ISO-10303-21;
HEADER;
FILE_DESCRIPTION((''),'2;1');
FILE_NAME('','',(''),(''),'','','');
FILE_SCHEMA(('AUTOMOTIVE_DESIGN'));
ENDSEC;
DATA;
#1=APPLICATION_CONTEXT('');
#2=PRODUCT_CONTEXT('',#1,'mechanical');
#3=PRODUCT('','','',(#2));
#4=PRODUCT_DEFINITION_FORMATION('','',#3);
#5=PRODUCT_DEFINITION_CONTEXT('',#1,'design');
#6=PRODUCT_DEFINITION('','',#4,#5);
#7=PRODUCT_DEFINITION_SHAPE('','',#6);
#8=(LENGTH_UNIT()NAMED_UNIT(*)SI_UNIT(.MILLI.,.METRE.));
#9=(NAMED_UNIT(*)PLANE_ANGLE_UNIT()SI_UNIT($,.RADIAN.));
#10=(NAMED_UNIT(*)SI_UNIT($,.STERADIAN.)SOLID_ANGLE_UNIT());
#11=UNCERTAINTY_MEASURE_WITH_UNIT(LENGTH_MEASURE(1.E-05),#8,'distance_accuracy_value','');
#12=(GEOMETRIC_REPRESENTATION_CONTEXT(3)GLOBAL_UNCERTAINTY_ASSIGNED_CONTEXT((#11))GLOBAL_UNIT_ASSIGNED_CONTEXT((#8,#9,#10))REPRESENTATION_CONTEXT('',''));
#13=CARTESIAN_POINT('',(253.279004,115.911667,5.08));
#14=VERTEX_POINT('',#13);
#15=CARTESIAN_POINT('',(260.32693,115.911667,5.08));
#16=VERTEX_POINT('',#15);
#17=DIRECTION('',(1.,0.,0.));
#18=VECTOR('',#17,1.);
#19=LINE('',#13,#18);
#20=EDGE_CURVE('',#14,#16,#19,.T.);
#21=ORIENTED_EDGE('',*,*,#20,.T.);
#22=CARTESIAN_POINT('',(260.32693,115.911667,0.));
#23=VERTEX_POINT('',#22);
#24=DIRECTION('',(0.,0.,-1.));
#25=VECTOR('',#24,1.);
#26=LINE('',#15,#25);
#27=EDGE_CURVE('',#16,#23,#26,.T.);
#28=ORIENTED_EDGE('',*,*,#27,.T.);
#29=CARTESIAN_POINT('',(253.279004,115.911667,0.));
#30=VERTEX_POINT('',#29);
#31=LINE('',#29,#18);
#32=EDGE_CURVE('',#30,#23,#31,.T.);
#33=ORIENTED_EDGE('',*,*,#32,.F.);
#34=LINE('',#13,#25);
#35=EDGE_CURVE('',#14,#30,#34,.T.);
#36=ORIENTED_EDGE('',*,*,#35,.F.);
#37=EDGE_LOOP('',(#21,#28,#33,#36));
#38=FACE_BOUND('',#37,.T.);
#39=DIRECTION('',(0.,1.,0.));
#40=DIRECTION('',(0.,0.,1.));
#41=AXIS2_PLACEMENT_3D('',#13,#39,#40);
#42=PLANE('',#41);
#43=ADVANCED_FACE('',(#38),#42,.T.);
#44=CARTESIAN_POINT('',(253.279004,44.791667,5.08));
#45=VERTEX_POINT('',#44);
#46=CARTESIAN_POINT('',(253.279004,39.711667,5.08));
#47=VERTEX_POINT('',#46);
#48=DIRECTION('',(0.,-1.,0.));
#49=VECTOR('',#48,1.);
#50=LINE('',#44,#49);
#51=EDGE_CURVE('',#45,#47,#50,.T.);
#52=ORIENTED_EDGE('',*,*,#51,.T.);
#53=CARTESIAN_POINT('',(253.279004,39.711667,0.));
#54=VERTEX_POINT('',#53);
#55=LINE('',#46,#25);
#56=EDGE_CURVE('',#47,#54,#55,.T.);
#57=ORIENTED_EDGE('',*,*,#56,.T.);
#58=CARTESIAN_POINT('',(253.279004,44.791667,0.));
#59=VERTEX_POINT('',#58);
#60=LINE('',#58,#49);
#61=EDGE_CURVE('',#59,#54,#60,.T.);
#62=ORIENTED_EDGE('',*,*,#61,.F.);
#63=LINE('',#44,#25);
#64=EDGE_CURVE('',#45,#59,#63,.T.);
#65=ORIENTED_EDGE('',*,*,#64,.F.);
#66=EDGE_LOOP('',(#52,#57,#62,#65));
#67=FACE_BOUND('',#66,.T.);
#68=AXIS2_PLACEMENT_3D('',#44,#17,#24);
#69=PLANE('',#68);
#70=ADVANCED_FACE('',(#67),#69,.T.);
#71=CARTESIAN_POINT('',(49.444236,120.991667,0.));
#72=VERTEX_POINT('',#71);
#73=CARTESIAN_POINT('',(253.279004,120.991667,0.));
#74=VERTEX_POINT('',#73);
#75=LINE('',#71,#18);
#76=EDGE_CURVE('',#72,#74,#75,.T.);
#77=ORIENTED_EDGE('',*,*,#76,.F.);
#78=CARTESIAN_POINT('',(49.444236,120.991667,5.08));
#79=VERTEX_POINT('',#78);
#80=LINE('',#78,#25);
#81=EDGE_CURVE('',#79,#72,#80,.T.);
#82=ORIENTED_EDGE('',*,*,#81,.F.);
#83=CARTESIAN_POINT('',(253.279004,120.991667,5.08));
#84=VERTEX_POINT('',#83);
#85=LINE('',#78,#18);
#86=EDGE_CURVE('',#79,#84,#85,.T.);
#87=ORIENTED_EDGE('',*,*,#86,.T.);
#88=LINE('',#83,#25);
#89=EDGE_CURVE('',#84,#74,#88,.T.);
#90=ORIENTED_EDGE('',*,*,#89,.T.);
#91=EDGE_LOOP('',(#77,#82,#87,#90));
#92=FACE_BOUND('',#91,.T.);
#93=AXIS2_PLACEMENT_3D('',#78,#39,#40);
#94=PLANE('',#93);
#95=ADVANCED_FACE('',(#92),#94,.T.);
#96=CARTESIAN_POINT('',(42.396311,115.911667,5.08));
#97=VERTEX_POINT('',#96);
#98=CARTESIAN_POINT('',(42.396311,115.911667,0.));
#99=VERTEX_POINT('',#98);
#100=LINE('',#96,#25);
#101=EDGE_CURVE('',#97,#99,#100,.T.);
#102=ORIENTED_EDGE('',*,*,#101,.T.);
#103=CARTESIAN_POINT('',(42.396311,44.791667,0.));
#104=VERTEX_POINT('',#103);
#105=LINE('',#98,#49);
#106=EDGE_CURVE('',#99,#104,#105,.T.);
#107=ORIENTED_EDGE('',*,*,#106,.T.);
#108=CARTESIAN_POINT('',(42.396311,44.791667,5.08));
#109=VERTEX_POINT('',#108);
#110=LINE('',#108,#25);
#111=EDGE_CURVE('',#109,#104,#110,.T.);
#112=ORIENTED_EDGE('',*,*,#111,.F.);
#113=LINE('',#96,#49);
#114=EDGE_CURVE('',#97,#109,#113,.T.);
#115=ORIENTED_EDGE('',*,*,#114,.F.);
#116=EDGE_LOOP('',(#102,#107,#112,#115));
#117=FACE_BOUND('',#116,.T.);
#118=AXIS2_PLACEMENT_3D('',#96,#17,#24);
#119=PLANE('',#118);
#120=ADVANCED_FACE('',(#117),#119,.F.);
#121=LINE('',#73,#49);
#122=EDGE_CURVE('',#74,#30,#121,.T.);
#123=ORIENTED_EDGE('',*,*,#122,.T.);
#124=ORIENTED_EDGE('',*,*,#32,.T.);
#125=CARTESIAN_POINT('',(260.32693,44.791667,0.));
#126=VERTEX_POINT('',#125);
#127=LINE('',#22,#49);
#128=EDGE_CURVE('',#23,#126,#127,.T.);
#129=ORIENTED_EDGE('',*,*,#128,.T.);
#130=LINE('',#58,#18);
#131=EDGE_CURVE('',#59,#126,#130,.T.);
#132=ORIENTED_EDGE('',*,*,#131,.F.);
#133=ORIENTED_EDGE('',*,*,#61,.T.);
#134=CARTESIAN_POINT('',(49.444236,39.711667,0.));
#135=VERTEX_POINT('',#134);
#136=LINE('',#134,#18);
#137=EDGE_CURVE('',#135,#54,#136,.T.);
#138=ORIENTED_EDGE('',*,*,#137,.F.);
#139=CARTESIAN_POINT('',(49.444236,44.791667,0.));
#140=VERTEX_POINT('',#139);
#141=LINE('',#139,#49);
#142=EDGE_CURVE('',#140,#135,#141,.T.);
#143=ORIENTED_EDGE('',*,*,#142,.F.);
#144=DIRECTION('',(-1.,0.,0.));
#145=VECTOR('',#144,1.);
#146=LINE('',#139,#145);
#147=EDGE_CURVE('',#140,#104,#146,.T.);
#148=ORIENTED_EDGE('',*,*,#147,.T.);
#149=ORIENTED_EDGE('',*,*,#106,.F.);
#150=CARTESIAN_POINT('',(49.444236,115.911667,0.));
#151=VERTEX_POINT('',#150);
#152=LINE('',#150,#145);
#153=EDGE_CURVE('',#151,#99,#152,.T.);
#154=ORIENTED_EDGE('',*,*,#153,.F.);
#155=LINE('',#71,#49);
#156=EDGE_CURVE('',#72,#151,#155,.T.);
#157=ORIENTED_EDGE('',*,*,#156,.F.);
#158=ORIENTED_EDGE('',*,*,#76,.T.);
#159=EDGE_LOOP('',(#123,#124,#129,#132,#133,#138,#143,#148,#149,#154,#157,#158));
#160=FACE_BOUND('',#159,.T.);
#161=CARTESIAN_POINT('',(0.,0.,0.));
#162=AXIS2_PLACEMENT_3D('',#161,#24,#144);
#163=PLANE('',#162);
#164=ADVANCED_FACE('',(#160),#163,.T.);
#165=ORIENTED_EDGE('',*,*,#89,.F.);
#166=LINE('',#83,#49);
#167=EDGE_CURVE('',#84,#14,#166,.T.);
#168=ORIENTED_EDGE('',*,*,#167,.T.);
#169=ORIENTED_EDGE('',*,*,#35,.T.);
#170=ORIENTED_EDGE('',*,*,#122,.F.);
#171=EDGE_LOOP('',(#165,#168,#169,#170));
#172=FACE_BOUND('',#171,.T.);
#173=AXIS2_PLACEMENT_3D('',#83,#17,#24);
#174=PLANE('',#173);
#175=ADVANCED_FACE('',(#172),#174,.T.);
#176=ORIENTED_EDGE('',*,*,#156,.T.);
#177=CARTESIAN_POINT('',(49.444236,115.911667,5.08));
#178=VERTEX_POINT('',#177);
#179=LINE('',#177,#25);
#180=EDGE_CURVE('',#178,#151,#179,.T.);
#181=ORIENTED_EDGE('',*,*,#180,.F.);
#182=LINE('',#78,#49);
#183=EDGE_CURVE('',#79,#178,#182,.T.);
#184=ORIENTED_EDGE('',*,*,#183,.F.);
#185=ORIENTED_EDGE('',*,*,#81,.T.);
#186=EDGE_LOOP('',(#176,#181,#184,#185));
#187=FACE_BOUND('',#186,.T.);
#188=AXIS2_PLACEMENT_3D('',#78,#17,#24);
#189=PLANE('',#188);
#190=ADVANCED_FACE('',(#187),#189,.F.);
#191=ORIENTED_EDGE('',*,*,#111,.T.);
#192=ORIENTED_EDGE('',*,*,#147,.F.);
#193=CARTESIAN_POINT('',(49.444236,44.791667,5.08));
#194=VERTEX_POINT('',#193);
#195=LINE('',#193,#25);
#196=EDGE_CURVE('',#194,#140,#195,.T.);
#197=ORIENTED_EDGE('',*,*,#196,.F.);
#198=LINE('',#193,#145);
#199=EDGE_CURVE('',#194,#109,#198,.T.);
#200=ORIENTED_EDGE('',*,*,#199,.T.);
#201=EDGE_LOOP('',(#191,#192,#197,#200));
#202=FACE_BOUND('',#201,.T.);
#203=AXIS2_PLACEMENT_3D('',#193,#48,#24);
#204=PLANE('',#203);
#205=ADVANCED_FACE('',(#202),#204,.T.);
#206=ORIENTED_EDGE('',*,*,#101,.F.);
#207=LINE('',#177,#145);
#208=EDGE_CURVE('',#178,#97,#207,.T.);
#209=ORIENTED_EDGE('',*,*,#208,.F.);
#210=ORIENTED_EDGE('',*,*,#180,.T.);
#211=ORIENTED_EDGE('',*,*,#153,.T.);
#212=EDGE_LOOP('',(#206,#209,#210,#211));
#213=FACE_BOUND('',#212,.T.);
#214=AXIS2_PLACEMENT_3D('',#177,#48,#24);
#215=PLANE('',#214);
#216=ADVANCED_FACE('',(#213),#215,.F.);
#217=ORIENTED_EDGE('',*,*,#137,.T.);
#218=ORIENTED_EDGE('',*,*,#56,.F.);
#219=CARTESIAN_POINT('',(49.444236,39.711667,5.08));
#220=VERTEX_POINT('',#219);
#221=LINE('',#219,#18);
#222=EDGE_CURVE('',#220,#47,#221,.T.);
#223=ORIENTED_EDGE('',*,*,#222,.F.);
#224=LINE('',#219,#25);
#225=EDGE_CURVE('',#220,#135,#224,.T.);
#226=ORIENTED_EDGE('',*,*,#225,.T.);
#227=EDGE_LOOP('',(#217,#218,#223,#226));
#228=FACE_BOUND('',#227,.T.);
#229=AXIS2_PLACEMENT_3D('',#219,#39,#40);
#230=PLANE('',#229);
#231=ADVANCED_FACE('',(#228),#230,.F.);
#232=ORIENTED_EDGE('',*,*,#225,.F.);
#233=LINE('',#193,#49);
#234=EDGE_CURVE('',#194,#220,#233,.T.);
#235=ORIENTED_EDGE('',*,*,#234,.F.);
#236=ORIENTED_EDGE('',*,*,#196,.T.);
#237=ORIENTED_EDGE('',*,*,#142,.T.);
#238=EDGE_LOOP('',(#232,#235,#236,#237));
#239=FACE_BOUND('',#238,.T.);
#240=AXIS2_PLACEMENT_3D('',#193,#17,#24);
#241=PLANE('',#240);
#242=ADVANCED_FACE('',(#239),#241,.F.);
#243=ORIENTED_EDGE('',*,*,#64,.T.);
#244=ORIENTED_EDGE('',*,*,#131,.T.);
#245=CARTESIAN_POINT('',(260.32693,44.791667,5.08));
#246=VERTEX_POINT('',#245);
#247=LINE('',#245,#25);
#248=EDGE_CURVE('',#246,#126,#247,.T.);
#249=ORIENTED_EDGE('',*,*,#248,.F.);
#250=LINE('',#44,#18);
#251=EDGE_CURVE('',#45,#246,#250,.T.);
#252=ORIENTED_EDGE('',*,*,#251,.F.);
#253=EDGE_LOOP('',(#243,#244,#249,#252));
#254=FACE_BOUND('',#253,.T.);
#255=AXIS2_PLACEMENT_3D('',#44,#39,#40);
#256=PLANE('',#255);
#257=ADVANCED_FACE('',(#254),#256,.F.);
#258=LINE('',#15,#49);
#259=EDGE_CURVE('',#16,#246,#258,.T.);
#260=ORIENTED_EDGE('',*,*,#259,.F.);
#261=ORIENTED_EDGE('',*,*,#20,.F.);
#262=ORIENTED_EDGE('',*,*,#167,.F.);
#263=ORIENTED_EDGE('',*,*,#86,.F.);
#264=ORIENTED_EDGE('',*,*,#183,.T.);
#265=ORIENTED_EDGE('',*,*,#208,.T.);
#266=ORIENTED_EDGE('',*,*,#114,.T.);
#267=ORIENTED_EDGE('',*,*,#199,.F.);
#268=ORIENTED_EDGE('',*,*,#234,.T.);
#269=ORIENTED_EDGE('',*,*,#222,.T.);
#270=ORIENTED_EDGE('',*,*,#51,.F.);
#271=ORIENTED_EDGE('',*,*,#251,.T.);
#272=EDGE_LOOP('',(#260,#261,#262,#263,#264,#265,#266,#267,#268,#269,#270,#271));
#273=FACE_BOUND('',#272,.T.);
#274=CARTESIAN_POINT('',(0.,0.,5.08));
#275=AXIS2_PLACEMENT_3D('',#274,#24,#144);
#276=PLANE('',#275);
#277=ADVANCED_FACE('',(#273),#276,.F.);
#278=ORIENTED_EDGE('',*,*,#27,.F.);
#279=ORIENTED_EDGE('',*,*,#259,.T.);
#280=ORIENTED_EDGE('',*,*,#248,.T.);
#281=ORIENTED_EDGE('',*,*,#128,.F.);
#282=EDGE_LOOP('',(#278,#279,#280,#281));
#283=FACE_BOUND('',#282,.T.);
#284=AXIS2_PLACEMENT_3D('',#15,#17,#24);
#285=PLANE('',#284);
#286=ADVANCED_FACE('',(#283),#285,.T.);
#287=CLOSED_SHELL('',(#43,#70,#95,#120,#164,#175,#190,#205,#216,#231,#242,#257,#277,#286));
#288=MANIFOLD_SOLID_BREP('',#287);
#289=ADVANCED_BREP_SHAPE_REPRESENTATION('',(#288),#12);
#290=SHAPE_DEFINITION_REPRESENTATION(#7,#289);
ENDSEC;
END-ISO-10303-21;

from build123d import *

# Parameters (mm, degrees)
BOSS_EXTRUDE1_DEPTH = 5.08


with BuildPart() as part:
    # Sketch1 → Boss-Extrude1 (new body)
    with BuildSketch(Plane.XY):
        Polygon((49.444236025, 115.911666867), (42.396310531, 115.911666867), (42.396310531, 44.791666867), (49.444236025, 44.791666867), (49.444236025, 39.711666867), (253.279004246, 39.711666867), (253.279004246, 44.791666867), (260.32692974, 44.791666867), (260.32692974, 115.911666867), (253.279004246, 115.911666867), (253.279004246, 120.991666867), (49.444236025, 120.991666867), align=None)
    extrude(amount=BOSS_EXTRUDE1_DEPTH)


solid = part.part
